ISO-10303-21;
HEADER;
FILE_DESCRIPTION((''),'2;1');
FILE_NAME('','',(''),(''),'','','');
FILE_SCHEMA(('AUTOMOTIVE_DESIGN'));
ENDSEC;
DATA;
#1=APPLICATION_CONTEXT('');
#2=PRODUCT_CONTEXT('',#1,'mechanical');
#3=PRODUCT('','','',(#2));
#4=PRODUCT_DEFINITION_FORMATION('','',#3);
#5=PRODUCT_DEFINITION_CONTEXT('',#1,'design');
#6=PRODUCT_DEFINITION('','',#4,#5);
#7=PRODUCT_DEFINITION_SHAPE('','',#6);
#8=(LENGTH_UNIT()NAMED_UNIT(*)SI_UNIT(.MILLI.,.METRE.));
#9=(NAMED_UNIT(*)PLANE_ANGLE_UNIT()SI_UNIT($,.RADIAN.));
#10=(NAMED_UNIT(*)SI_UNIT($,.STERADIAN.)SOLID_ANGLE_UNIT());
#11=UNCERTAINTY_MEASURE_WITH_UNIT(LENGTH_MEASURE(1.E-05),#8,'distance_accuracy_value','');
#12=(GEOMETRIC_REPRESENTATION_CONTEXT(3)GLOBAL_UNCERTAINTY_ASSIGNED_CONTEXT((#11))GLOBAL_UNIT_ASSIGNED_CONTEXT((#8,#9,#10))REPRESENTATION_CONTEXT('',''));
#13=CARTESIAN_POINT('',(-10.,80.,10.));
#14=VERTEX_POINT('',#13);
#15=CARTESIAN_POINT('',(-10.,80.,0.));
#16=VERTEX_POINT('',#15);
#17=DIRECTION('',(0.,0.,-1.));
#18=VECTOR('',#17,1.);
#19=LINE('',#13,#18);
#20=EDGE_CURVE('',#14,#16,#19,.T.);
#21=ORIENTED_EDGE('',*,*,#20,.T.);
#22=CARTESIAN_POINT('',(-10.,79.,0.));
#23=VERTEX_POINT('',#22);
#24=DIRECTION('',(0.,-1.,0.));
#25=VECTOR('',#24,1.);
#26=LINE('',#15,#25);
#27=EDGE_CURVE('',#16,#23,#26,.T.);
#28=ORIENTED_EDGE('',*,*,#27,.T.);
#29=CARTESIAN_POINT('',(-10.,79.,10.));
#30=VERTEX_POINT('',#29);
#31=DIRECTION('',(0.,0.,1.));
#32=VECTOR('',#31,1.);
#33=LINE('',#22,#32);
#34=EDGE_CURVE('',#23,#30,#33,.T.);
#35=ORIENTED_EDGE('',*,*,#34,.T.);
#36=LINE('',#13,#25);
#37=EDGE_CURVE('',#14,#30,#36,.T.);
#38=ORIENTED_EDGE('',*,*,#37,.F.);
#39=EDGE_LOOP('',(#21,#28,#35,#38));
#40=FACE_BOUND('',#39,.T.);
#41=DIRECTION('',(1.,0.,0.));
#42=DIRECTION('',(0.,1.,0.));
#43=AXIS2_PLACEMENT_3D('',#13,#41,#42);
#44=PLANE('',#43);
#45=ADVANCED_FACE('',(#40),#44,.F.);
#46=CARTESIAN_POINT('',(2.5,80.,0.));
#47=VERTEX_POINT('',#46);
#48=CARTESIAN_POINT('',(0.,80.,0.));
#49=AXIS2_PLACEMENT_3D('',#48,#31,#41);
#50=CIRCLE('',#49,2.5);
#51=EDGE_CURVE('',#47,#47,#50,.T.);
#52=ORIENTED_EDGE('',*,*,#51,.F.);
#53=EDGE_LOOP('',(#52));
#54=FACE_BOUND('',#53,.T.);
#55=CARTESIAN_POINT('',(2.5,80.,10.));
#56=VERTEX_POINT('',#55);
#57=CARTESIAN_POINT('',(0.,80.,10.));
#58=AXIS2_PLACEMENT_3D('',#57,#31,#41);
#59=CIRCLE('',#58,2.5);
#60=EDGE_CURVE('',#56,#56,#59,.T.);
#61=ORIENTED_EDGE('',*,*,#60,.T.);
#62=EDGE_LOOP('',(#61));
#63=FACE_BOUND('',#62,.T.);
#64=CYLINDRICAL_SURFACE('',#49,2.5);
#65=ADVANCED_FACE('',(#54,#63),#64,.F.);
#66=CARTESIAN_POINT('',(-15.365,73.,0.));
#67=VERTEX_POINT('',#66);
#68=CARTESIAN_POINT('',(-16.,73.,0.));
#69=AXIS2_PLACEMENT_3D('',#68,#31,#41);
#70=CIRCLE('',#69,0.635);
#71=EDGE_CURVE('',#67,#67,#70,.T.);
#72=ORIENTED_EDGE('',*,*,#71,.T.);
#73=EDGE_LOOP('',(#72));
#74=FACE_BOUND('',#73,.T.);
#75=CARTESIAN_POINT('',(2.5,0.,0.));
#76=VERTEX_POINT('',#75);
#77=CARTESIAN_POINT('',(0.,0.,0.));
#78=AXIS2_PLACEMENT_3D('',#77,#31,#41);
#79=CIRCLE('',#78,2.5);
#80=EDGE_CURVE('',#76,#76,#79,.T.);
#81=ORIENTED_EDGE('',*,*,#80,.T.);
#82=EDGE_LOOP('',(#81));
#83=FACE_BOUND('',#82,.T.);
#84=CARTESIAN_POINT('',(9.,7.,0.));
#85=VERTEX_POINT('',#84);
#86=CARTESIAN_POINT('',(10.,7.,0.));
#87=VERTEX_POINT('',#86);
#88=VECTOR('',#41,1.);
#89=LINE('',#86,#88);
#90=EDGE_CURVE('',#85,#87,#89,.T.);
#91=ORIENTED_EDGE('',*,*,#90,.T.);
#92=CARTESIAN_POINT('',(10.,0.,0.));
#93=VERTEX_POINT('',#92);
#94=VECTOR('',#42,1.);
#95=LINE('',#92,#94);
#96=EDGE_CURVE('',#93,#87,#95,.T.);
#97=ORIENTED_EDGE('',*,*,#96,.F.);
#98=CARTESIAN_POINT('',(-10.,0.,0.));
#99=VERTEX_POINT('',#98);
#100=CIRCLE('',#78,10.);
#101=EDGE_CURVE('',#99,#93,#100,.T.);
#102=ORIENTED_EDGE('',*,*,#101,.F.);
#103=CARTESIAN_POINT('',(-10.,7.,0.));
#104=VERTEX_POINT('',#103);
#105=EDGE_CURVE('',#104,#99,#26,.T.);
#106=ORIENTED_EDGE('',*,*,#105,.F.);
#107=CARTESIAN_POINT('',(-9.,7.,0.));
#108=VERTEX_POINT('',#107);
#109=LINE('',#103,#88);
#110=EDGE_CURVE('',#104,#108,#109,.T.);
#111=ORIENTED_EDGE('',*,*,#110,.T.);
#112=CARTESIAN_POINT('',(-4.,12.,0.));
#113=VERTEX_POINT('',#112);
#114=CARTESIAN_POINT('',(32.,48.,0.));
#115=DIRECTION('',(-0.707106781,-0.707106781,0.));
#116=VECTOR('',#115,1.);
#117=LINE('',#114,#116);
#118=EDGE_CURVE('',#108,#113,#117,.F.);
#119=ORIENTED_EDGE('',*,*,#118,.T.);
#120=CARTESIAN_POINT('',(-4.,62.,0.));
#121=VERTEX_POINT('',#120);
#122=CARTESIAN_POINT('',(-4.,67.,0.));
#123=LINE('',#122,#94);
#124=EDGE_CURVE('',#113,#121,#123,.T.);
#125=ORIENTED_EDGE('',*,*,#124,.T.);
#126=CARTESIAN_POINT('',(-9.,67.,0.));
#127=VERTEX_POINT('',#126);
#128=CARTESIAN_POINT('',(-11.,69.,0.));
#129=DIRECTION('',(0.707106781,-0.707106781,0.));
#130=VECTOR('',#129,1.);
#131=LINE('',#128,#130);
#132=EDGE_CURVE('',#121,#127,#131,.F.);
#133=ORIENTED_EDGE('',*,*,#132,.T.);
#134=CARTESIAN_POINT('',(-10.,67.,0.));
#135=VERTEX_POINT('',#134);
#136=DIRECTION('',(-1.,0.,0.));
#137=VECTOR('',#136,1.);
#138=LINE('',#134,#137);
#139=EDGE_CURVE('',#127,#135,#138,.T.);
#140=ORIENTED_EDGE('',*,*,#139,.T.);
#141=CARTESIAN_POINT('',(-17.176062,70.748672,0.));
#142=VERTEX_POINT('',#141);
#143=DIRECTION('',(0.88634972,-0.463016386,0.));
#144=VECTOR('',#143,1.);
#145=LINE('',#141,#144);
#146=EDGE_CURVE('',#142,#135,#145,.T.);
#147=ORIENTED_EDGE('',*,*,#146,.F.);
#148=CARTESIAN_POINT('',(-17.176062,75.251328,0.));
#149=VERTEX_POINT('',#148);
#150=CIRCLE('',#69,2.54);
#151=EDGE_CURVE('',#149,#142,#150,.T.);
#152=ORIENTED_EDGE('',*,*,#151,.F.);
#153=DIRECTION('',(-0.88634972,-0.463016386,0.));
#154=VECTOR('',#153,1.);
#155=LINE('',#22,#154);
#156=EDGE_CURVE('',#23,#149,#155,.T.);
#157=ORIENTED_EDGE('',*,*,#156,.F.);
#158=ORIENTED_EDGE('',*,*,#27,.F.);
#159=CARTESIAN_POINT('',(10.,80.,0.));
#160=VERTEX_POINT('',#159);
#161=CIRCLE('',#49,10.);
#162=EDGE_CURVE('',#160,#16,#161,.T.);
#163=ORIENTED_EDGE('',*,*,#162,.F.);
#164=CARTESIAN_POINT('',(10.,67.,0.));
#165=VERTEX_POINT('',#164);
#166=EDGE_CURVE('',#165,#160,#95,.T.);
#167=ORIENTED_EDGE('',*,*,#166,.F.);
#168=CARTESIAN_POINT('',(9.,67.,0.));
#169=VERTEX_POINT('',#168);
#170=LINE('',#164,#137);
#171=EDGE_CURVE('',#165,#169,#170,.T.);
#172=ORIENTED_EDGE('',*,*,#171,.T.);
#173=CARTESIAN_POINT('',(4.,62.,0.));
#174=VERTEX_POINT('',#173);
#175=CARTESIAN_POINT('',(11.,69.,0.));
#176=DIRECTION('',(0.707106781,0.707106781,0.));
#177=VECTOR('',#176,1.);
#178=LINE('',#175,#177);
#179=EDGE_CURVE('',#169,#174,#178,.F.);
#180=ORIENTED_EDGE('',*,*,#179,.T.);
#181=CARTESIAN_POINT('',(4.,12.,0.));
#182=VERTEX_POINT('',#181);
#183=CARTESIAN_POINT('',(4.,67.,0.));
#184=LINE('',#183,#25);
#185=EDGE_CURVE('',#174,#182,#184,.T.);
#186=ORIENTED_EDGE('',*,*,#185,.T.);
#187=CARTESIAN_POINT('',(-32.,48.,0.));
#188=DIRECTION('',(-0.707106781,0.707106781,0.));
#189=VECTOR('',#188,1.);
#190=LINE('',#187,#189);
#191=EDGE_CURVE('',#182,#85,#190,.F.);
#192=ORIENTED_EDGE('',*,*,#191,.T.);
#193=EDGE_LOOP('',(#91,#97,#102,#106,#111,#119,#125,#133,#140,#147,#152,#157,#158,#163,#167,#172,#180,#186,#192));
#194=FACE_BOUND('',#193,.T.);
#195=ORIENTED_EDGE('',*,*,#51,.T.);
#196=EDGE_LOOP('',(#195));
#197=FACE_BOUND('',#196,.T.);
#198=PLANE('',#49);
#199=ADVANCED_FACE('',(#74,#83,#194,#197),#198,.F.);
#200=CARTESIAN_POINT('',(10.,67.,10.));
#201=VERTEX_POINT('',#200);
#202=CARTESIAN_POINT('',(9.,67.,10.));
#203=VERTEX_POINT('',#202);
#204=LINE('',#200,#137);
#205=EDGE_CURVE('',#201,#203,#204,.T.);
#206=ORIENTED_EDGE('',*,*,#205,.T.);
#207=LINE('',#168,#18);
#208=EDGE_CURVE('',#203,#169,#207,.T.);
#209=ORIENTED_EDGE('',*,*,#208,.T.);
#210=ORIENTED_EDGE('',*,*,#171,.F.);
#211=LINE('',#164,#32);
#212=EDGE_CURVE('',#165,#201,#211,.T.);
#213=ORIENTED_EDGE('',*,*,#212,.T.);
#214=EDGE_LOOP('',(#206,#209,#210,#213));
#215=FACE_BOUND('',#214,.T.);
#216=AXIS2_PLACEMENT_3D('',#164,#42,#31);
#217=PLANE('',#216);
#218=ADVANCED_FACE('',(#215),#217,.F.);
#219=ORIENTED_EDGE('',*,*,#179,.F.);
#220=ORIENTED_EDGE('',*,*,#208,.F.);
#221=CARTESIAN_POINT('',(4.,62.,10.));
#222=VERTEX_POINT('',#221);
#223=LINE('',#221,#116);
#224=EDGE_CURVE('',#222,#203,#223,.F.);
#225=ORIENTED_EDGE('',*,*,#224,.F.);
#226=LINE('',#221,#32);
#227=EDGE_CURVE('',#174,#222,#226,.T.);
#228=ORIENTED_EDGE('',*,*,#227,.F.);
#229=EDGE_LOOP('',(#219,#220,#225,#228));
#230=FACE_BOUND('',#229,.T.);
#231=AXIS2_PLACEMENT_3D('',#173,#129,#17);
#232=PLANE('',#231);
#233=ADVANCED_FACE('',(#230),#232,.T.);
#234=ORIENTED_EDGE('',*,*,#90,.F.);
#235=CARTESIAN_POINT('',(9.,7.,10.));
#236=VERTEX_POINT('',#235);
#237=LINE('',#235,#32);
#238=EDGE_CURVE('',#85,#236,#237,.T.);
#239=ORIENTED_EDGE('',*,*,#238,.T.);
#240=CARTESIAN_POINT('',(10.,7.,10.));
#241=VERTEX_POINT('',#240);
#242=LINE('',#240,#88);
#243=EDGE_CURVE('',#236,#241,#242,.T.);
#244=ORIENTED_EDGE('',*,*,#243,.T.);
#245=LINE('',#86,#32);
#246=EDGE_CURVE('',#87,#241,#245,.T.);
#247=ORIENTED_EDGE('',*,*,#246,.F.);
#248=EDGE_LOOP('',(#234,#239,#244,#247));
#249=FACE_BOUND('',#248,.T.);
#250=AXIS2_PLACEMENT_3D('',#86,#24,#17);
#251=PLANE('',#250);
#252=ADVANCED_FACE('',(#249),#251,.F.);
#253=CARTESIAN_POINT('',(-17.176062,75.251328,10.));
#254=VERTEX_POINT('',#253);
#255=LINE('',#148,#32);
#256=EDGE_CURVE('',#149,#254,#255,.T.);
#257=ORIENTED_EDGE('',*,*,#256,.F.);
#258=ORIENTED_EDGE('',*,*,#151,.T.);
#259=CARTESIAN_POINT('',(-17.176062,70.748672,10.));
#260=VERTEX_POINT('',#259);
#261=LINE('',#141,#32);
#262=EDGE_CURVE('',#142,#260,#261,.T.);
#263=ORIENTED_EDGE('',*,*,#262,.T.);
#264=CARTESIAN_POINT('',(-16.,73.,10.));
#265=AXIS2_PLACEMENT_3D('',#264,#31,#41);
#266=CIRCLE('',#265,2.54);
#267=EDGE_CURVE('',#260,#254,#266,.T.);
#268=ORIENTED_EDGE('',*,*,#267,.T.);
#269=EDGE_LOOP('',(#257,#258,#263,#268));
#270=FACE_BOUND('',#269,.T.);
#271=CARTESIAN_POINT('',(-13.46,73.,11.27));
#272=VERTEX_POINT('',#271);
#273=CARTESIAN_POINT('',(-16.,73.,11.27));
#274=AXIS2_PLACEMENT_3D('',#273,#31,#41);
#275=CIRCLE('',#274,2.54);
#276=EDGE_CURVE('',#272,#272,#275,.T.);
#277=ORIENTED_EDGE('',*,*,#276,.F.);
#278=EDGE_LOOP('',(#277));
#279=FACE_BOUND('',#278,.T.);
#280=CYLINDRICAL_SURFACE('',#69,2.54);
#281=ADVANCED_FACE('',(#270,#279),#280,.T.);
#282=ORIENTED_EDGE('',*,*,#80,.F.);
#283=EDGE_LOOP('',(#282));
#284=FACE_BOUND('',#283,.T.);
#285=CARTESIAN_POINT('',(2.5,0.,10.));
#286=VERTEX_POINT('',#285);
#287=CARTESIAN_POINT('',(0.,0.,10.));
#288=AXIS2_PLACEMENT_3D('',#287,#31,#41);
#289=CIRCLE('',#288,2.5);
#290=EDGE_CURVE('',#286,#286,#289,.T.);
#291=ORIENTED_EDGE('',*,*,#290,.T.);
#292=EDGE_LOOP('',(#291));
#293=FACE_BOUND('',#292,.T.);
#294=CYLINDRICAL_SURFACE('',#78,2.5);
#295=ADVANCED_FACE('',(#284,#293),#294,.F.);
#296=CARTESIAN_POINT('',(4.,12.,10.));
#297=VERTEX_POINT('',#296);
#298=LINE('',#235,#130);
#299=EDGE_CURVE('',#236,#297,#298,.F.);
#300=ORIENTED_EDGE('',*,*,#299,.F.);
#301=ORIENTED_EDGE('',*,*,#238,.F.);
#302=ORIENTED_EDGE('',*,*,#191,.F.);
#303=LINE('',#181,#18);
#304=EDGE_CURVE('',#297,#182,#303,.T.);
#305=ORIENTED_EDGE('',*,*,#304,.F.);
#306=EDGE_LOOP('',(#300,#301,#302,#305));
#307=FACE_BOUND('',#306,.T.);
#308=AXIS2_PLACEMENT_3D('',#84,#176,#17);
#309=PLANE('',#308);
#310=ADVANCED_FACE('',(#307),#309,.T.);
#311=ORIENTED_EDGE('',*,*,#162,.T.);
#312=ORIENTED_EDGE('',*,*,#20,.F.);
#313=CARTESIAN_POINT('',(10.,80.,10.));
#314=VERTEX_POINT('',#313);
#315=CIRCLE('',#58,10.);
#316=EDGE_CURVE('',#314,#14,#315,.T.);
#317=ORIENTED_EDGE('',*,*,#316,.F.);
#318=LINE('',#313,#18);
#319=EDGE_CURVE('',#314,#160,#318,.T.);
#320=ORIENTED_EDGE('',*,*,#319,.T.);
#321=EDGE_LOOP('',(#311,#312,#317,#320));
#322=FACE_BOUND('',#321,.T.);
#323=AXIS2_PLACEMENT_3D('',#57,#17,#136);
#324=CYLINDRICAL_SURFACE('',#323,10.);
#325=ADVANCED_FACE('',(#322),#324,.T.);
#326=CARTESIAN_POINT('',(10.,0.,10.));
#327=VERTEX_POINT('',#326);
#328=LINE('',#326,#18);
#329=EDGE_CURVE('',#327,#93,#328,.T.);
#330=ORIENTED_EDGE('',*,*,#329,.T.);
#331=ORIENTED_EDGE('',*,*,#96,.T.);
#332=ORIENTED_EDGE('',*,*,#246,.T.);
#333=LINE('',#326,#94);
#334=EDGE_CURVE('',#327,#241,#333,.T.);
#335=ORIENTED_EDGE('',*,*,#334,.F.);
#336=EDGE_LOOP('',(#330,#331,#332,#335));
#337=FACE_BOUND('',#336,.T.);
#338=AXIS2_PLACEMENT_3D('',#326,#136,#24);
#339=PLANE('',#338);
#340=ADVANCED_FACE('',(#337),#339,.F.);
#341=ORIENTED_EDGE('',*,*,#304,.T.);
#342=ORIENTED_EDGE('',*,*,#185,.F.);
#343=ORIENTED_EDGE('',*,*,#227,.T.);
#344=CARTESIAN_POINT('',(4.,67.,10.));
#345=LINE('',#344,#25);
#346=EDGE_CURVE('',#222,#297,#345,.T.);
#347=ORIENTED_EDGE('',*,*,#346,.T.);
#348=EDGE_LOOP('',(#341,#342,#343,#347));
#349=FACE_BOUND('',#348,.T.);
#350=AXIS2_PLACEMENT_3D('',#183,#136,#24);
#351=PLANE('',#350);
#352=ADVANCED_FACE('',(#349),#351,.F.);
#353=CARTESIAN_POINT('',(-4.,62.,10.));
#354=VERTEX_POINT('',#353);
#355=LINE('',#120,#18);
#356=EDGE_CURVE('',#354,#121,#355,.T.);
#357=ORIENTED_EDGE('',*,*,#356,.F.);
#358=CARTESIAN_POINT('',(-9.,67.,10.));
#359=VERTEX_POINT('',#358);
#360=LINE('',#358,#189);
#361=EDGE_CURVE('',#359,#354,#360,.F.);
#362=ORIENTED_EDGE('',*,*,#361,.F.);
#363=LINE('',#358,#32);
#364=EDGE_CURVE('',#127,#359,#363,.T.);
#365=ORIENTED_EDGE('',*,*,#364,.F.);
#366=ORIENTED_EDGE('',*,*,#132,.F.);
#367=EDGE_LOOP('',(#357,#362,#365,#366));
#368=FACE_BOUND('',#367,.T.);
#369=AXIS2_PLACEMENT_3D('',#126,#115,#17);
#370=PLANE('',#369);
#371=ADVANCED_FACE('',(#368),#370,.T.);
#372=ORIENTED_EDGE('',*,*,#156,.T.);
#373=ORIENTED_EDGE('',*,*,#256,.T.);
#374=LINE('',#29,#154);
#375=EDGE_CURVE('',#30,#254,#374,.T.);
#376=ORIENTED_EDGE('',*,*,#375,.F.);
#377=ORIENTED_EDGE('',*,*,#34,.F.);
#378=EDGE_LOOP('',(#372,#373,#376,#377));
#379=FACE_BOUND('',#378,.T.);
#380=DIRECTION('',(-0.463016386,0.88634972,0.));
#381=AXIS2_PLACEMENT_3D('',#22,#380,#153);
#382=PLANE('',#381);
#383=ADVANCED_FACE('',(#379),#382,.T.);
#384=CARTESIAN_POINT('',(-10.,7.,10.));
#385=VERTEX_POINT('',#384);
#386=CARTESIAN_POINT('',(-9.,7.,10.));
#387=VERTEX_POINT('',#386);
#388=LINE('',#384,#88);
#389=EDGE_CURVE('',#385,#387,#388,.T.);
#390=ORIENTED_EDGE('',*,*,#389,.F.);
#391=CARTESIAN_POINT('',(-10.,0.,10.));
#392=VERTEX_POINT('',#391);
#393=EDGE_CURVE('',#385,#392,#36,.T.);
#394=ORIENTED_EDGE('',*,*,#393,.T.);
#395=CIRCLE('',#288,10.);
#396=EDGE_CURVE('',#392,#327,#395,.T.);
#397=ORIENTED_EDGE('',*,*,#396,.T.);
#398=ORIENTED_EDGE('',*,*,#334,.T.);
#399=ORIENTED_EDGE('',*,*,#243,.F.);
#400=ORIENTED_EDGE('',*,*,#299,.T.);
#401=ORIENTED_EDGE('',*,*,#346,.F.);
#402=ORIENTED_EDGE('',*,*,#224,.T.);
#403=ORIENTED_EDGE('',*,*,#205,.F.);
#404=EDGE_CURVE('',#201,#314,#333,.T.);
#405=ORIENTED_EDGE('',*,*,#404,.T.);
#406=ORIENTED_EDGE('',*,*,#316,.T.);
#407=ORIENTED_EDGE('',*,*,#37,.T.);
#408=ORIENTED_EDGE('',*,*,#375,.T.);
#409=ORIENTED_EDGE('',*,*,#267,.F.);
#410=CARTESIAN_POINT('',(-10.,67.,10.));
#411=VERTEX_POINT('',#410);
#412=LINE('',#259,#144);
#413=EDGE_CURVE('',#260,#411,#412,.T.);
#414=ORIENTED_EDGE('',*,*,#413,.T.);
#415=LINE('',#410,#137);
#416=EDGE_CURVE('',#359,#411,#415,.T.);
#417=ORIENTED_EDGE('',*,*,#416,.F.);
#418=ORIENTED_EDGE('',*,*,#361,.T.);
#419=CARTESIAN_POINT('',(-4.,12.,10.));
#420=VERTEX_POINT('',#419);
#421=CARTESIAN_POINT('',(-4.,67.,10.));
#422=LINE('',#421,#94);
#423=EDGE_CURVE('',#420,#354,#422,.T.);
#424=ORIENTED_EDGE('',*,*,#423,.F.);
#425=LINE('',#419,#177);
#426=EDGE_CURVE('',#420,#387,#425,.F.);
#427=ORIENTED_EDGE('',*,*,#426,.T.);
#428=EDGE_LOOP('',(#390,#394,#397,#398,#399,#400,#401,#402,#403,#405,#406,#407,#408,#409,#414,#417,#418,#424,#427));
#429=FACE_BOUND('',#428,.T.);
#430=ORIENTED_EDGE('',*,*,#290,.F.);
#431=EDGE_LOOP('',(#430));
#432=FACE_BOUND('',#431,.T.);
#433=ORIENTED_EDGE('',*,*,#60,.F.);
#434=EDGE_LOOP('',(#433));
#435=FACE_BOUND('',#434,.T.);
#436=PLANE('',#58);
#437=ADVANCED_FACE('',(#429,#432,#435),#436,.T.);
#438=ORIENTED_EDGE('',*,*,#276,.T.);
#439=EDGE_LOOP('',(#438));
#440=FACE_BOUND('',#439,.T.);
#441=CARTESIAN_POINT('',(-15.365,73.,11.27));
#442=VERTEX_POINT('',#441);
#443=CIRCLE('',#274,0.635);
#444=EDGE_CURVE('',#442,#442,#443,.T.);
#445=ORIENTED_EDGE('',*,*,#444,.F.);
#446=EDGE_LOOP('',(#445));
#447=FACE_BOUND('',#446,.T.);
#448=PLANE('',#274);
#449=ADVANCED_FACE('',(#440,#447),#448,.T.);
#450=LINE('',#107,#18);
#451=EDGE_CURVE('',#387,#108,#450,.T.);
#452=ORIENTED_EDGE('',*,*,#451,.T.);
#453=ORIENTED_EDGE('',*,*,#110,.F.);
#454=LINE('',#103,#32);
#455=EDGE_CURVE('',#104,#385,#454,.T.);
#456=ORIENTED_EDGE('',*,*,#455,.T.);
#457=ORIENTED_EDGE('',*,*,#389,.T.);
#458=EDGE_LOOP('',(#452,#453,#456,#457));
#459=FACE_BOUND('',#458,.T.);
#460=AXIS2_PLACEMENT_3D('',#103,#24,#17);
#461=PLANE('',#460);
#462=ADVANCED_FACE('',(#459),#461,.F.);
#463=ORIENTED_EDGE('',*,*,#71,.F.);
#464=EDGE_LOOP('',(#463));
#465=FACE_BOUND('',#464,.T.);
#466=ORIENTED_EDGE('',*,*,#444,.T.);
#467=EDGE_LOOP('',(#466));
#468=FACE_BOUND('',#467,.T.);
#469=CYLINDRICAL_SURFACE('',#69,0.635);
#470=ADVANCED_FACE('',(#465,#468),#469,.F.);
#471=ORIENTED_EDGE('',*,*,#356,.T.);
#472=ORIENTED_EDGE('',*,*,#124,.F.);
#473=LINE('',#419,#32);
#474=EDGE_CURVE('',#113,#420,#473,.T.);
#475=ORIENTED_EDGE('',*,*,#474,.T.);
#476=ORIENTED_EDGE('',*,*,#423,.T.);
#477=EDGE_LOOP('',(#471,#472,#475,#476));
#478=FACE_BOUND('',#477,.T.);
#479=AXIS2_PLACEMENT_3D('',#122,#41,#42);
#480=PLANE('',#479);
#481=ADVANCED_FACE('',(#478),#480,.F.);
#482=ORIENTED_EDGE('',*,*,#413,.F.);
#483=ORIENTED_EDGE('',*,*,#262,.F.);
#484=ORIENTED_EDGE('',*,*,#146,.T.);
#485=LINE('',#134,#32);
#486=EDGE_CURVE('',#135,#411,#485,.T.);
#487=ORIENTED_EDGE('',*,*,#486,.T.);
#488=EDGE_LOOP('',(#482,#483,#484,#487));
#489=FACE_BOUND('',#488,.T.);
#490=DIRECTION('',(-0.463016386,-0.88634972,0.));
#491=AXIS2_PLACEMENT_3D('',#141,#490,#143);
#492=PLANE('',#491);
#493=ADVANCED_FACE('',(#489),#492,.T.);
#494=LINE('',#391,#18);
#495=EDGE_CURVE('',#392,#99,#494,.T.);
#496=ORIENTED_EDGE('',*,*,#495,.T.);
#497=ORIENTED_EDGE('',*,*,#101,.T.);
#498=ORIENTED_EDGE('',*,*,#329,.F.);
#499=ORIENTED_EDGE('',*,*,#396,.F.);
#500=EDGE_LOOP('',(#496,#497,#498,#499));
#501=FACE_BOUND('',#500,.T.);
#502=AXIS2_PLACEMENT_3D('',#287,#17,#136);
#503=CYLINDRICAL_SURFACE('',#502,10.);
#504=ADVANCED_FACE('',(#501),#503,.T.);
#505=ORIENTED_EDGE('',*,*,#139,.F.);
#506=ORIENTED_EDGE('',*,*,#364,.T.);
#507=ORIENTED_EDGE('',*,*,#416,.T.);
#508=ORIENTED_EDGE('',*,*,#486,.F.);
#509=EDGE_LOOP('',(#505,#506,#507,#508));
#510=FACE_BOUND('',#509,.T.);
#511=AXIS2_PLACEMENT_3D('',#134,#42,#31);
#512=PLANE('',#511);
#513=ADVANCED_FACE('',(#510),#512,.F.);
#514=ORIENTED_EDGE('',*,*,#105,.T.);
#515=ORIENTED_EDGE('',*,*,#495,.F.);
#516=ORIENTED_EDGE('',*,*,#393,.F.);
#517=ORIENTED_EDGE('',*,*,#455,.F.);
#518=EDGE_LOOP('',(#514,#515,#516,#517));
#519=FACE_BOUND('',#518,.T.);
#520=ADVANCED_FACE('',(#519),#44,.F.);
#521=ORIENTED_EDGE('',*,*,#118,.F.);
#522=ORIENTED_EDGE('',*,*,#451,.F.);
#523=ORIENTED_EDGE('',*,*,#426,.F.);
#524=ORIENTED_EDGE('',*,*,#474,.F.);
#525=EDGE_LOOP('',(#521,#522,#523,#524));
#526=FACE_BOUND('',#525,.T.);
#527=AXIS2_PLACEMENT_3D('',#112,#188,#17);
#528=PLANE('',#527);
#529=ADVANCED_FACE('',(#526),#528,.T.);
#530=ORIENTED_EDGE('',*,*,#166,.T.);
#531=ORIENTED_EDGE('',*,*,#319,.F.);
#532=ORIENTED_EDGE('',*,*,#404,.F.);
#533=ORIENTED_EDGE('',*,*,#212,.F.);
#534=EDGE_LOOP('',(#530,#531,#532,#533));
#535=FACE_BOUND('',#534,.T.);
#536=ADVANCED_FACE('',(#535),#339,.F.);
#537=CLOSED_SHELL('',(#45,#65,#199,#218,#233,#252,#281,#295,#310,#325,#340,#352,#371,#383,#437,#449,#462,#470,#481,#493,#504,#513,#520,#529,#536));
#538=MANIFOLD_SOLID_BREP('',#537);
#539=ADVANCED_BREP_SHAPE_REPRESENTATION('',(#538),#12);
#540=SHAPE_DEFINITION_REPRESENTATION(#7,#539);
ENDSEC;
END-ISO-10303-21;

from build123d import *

# Parameters (mm, degrees)
BOSS_EXTRUDE1_DEPTH     = 10
SKETCH2_R               = 2.5
CUT_EXTRUDE1_DEPTH      = 11
BOSS_EXTRUDE2_DEPTH     = 10
SKETCH4_R               = 0.635
CUT_EXTRUDE2_DEPTH      = 11
SKETCH5_R               = 2.54
SKETCH5_R_2             = 0.635
BOSS_EXTRUDE3_DEPTH     = 1.27
SKETCH6_W               = 6
SKETCH6_H               = 60
CUT_EXTRUDE3_DEPTH      = 2.27
CUT_EXTRUDE3_DEPTH_BACK = 11
CHAMFER1_SIZE           = 5


with BuildPart() as part:
    # Sketch1 → Boss-Extrude1 (new body)
    with BuildSketch(Plane.XY):
        with BuildLine():
            Line((-10, 80), (-10, 0))
            ThreePointArc((-10, 0), (0, -10), (10, 0))
            Line((10, 0), (10, 80))
            ThreePointArc((10, 80), (0, 90), (-10, 80))
        make_face()
    extrude(amount=BOSS_EXTRUDE1_DEPTH)

    # Sketch2 → Cut-Extrude1 (cut, through all)
    with BuildSketch(Plane.XY.offset(10)):
        Circle(SKETCH2_R)
        with Locations((0, 80)):
            Circle(SKETCH2_R)
    extrude(amount=-CUT_EXTRUDE1_DEPTH, mode=Mode.SUBTRACT)

    # Sketch3 → Boss-Extrude2 (add)
    with BuildSketch(Plane.XY.offset(10)):
        with BuildLine():
            Line((-10, 79), (-17.176061622, 75.251328288))
            ThreePointArc((-17.176061622, 75.251328288), (-18.54, 73), (-17.176061622, 70.748671712))
            Line((-17.176061622, 70.748671712), (-10, 67))
            Line((-10, 67), (-10, 79))
        make_face()
    extrude(amount=-BOSS_EXTRUDE2_DEPTH)

    # Sketch4 → Cut-Extrude2 (cut, through all)
    with BuildSketch(Plane.XY.offset(10)):
        with Locations((-16, 73)):
            Circle(SKETCH4_R)
    extrude(amount=-CUT_EXTRUDE2_DEPTH, mode=Mode.SUBTRACT)

    # Sketch5 → Boss-Extrude3 (add)
    with BuildSketch(Plane.XY.offset(10)):
        with Locations((-16, 73)):
            Circle(SKETCH5_R)
        with Locations((-16, 73)):
            Circle(SKETCH5_R_2, mode=Mode.SUBTRACT)
    extrude(amount=BOSS_EXTRUDE3_DEPTH)

    # Sketch6 → Cut-Extrude3 (cut, two sides)
    with BuildSketch(Plane.XY.offset(10)) as cut_extrude3_sk:
        with Locations((-7, 37)):
            Rectangle(SKETCH6_W, SKETCH6_H)
        with Locations((7, 37)):
            Rectangle(SKETCH6_W, SKETCH6_H)
    extrude(amount=CUT_EXTRUDE3_DEPTH, mode=Mode.SUBTRACT)
    extrude(cut_extrude3_sk.sketch, amount=-CUT_EXTRUDE3_DEPTH_BACK, mode=Mode.SUBTRACT)

    # Chamfer1
    chamfer1_edges = [part.edges().sort_by_distance(p)[0] for p in [
        (-4, 67, 5),
        (-4, 7, 5),
        (4, 7, 5),
        (4, 67, 5),
    ]]
    chamfer(chamfer1_edges, length=CHAMFER1_SIZE)


solid = part.part
